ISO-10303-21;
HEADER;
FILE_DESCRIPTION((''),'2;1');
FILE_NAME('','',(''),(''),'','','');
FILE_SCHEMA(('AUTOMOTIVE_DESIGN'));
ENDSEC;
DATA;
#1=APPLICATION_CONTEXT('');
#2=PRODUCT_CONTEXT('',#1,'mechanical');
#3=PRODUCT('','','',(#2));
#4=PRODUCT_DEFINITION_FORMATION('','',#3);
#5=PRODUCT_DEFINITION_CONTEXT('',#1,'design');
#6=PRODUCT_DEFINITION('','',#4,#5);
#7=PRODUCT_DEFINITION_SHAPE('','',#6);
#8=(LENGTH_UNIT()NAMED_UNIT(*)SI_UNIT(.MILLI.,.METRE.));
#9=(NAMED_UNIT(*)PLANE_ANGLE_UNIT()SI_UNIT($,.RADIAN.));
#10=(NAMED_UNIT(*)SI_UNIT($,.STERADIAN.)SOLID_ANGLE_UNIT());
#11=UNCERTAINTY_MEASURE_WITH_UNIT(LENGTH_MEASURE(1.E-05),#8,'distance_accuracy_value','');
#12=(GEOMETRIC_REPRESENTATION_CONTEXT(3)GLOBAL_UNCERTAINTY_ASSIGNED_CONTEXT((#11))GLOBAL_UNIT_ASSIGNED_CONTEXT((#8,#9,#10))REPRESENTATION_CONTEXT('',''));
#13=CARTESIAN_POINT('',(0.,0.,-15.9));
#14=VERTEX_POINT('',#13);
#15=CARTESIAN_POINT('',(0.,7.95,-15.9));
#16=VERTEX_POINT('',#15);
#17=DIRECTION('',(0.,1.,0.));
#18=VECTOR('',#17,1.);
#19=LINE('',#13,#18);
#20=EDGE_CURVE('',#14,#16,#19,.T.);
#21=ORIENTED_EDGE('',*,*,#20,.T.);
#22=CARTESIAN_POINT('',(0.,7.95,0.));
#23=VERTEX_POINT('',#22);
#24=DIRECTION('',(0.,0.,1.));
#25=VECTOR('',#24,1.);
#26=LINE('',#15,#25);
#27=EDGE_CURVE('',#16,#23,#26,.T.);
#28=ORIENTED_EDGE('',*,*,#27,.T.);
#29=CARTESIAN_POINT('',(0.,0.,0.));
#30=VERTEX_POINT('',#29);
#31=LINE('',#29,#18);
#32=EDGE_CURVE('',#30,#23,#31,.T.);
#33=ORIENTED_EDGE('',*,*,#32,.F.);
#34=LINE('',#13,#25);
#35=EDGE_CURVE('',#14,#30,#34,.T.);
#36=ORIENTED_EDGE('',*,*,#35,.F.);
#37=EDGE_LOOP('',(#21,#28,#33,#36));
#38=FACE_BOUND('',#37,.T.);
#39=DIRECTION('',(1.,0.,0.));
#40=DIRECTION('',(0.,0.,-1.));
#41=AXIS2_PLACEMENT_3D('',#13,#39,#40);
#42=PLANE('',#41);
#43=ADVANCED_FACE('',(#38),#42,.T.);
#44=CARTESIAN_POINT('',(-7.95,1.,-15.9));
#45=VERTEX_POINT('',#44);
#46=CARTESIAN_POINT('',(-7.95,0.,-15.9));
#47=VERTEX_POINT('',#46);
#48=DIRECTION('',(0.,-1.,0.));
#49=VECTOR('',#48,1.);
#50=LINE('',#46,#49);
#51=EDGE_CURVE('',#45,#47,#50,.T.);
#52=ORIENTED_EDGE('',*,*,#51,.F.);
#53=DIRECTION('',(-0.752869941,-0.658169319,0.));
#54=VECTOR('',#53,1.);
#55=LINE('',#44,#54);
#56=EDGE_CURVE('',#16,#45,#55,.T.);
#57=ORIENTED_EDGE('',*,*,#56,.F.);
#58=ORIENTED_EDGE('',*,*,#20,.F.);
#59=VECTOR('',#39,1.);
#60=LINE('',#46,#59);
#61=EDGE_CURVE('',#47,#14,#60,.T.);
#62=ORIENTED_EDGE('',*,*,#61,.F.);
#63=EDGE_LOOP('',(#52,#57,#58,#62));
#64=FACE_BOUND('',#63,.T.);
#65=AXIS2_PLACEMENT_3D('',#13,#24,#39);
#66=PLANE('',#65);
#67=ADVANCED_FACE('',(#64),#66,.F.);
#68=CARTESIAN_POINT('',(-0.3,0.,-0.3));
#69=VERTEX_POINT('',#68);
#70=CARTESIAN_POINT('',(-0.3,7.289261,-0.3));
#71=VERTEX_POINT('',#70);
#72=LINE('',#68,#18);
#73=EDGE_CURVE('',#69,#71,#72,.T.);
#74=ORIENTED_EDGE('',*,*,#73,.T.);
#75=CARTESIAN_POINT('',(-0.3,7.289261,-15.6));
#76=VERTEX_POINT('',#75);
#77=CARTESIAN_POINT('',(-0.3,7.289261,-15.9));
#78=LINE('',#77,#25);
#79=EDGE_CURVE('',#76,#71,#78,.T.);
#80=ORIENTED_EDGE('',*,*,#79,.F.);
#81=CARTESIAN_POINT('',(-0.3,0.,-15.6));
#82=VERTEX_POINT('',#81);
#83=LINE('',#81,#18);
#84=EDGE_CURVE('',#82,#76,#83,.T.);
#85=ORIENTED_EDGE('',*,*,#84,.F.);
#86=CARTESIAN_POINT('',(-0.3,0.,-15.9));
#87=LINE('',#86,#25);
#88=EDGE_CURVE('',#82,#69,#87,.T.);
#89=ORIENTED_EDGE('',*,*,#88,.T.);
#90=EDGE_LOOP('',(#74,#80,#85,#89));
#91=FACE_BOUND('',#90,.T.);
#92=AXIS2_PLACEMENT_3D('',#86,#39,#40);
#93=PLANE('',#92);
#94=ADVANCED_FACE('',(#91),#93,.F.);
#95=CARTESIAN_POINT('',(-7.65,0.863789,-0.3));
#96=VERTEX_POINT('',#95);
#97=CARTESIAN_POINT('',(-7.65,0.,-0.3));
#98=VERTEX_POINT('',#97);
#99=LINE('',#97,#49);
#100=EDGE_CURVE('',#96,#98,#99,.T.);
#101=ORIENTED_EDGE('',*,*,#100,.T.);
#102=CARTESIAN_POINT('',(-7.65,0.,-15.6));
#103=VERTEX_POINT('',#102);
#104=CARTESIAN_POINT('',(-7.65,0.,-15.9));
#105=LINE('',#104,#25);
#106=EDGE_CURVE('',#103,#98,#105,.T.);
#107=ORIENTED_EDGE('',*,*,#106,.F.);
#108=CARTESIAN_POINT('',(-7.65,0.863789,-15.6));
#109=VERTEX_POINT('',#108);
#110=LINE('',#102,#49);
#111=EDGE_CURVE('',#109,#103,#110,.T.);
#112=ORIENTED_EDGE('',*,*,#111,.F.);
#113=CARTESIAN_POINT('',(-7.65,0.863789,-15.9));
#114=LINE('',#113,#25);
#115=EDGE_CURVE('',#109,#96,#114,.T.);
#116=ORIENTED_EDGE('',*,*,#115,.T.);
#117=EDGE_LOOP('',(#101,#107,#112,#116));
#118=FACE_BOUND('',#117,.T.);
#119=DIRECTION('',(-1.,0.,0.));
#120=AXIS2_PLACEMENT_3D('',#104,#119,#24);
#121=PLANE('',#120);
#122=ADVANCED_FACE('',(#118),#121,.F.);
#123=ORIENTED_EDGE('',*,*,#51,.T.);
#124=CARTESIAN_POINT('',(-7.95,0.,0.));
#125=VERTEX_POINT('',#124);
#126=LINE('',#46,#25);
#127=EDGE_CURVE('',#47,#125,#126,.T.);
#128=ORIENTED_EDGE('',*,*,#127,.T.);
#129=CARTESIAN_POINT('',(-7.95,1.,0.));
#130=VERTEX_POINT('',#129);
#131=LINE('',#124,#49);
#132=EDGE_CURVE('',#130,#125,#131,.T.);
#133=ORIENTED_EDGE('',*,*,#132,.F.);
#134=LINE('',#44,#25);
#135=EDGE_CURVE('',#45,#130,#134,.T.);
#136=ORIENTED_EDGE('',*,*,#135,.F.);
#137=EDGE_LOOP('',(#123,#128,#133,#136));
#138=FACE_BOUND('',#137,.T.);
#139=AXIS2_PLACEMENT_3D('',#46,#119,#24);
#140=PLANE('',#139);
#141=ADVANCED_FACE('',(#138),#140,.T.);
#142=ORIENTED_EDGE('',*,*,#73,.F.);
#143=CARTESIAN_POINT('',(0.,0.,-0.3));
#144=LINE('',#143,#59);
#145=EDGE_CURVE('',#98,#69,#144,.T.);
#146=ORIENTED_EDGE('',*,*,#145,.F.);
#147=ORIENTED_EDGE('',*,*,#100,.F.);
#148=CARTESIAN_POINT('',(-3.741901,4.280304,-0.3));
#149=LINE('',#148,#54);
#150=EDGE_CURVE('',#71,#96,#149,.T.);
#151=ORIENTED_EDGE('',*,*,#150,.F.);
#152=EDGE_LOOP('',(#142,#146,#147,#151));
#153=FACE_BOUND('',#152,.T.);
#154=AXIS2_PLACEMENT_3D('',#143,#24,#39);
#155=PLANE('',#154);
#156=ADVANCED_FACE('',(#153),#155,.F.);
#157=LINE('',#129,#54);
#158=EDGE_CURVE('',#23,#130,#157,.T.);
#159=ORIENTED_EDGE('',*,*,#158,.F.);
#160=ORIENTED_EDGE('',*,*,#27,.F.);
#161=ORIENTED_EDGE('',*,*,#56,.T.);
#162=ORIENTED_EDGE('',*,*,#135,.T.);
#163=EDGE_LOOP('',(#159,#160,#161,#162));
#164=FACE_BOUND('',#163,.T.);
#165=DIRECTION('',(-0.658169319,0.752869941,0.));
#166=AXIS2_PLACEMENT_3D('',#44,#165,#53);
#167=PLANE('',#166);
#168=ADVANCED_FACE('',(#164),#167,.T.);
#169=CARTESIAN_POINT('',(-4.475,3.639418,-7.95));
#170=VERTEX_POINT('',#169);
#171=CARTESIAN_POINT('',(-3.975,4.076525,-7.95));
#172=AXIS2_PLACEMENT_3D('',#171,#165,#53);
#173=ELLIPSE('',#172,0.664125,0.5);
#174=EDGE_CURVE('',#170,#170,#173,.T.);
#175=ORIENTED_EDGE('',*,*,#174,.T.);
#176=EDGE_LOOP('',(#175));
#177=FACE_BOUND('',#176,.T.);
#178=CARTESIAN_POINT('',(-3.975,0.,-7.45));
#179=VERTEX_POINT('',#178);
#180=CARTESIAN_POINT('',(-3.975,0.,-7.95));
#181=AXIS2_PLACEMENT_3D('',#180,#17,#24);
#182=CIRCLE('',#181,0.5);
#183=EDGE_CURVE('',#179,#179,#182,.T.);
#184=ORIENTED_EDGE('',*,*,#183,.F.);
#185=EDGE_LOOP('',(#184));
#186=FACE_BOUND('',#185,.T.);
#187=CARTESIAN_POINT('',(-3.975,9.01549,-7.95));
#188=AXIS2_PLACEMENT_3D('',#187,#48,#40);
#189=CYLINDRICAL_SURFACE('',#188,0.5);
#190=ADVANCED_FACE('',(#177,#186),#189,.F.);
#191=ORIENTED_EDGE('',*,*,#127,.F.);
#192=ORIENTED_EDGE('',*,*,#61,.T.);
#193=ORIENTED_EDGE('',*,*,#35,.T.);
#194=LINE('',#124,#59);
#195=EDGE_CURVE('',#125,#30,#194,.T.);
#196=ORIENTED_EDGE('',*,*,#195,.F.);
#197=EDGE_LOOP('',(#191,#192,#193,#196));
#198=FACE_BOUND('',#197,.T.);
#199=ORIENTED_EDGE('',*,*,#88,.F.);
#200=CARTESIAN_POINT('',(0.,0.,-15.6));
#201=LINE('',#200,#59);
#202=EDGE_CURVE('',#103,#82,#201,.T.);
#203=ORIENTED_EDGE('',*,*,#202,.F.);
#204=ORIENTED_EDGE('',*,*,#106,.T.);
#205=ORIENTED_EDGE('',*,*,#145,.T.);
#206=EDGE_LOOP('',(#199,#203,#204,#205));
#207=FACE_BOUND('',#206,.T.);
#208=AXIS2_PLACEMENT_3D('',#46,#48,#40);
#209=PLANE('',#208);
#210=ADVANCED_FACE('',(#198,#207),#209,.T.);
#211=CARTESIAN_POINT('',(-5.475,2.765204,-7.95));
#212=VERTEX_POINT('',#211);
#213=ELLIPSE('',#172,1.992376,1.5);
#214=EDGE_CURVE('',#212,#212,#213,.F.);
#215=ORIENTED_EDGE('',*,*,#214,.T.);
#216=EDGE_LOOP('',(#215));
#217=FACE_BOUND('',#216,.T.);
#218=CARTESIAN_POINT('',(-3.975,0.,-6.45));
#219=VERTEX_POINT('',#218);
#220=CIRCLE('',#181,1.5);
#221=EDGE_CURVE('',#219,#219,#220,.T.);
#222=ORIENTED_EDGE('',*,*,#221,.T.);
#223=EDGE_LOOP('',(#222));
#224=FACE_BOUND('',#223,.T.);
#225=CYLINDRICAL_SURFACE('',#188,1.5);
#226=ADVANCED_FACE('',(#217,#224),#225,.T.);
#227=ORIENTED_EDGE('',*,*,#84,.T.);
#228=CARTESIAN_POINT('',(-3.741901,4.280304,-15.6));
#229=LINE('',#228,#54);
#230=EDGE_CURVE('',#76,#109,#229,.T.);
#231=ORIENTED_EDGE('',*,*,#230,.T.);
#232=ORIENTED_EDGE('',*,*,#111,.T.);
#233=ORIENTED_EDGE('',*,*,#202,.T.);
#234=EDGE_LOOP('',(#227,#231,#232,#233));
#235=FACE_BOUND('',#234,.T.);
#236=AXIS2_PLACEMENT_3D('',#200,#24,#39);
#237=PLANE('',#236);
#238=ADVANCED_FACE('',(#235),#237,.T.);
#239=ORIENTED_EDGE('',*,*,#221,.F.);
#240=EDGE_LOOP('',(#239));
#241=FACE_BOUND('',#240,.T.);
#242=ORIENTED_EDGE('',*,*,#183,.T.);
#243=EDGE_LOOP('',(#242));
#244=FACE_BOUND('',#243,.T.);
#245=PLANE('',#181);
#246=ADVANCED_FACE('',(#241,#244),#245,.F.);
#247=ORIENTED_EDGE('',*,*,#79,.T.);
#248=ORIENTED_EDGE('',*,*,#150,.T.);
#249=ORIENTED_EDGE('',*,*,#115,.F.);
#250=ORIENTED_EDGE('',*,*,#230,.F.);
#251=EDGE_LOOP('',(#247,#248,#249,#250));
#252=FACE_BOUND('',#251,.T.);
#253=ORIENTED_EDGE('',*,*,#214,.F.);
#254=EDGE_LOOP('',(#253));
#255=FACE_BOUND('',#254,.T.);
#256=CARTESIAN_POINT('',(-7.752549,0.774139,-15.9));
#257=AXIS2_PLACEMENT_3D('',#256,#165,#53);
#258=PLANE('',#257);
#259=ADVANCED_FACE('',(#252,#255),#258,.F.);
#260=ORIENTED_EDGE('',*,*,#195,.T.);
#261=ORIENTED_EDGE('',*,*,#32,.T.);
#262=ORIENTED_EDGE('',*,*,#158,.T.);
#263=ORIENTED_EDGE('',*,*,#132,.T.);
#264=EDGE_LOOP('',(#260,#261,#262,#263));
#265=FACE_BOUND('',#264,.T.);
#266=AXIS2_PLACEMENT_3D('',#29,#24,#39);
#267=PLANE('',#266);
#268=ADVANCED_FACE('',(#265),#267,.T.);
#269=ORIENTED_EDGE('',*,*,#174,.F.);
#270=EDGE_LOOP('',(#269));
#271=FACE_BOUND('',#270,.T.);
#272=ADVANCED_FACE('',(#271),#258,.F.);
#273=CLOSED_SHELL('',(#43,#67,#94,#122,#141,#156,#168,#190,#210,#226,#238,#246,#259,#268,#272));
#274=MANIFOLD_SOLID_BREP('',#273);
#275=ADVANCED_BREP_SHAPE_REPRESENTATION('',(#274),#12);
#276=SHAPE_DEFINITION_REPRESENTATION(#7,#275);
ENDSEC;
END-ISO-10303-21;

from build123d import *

# Parameters (mm, degrees)
BOSS_EXTRUDE1_DEPTH = 15.9
SHELL1_T            = -0.3
BOSS_EXTRUDE2_REACH = 21.473
SKETCH2_R           = 1.5
SKETCH2_R_2         = 0.5


with BuildPart() as part:
    # Sketch1 → Boss-Extrude1 (new body)
    with BuildSketch(Plane.XY):
        Polygon((0, 0), (0, 7.95), (-7.95, 1), (-7.95, 0), align=None)
    extrude(amount=-BOSS_EXTRUDE1_DEPTH)

    # Shell1
    shell1_openings = [part.faces().sort_by_distance(p)[0] for p in [
        (-3.975, 0, -7.95),
    ]]
    offset(amount=SHELL1_T, openings=shell1_openings, kind=Kind.INTERSECTION)

    # Boss-Extrude2: up to this plane
    boss_extrude2_end = Plane(origin=(-7.752549204, 0.774139018, -15.9), z_dir=(-0.6581693191022402, 0.7528699405557999, 0))
    # Sketch2 → Boss-Extrude2 (add, up to the surface)
    with BuildSketch(Plane(origin=(0, 0, 0), x_dir=(1, 0, 0), z_dir=(0, 1, 0)), mode=Mode.PRIVATE) as boss_extrude2_sk1:
        with Locations(Location((-3.975, 7.95, 0), (0, 0, 180))):
            Circle(SKETCH2_R)
        with Locations(Location((-3.975, 7.95, 0), (0, 0, 180))):
            Circle(SKETCH2_R_2, mode=Mode.SUBTRACT)
    boss_extrude2_tool1 = split(extrude(boss_extrude2_sk1.sketch, amount=BOSS_EXTRUDE2_REACH, mode=Mode.PRIVATE), bisect_by=boss_extrude2_end, keep=Keep.BOTH, mode=Mode.PRIVATE)
    add(boss_extrude2_tool1.solids().sort_by_distance((-2.517426, 0, -7.95))[0])


solid = part.part
